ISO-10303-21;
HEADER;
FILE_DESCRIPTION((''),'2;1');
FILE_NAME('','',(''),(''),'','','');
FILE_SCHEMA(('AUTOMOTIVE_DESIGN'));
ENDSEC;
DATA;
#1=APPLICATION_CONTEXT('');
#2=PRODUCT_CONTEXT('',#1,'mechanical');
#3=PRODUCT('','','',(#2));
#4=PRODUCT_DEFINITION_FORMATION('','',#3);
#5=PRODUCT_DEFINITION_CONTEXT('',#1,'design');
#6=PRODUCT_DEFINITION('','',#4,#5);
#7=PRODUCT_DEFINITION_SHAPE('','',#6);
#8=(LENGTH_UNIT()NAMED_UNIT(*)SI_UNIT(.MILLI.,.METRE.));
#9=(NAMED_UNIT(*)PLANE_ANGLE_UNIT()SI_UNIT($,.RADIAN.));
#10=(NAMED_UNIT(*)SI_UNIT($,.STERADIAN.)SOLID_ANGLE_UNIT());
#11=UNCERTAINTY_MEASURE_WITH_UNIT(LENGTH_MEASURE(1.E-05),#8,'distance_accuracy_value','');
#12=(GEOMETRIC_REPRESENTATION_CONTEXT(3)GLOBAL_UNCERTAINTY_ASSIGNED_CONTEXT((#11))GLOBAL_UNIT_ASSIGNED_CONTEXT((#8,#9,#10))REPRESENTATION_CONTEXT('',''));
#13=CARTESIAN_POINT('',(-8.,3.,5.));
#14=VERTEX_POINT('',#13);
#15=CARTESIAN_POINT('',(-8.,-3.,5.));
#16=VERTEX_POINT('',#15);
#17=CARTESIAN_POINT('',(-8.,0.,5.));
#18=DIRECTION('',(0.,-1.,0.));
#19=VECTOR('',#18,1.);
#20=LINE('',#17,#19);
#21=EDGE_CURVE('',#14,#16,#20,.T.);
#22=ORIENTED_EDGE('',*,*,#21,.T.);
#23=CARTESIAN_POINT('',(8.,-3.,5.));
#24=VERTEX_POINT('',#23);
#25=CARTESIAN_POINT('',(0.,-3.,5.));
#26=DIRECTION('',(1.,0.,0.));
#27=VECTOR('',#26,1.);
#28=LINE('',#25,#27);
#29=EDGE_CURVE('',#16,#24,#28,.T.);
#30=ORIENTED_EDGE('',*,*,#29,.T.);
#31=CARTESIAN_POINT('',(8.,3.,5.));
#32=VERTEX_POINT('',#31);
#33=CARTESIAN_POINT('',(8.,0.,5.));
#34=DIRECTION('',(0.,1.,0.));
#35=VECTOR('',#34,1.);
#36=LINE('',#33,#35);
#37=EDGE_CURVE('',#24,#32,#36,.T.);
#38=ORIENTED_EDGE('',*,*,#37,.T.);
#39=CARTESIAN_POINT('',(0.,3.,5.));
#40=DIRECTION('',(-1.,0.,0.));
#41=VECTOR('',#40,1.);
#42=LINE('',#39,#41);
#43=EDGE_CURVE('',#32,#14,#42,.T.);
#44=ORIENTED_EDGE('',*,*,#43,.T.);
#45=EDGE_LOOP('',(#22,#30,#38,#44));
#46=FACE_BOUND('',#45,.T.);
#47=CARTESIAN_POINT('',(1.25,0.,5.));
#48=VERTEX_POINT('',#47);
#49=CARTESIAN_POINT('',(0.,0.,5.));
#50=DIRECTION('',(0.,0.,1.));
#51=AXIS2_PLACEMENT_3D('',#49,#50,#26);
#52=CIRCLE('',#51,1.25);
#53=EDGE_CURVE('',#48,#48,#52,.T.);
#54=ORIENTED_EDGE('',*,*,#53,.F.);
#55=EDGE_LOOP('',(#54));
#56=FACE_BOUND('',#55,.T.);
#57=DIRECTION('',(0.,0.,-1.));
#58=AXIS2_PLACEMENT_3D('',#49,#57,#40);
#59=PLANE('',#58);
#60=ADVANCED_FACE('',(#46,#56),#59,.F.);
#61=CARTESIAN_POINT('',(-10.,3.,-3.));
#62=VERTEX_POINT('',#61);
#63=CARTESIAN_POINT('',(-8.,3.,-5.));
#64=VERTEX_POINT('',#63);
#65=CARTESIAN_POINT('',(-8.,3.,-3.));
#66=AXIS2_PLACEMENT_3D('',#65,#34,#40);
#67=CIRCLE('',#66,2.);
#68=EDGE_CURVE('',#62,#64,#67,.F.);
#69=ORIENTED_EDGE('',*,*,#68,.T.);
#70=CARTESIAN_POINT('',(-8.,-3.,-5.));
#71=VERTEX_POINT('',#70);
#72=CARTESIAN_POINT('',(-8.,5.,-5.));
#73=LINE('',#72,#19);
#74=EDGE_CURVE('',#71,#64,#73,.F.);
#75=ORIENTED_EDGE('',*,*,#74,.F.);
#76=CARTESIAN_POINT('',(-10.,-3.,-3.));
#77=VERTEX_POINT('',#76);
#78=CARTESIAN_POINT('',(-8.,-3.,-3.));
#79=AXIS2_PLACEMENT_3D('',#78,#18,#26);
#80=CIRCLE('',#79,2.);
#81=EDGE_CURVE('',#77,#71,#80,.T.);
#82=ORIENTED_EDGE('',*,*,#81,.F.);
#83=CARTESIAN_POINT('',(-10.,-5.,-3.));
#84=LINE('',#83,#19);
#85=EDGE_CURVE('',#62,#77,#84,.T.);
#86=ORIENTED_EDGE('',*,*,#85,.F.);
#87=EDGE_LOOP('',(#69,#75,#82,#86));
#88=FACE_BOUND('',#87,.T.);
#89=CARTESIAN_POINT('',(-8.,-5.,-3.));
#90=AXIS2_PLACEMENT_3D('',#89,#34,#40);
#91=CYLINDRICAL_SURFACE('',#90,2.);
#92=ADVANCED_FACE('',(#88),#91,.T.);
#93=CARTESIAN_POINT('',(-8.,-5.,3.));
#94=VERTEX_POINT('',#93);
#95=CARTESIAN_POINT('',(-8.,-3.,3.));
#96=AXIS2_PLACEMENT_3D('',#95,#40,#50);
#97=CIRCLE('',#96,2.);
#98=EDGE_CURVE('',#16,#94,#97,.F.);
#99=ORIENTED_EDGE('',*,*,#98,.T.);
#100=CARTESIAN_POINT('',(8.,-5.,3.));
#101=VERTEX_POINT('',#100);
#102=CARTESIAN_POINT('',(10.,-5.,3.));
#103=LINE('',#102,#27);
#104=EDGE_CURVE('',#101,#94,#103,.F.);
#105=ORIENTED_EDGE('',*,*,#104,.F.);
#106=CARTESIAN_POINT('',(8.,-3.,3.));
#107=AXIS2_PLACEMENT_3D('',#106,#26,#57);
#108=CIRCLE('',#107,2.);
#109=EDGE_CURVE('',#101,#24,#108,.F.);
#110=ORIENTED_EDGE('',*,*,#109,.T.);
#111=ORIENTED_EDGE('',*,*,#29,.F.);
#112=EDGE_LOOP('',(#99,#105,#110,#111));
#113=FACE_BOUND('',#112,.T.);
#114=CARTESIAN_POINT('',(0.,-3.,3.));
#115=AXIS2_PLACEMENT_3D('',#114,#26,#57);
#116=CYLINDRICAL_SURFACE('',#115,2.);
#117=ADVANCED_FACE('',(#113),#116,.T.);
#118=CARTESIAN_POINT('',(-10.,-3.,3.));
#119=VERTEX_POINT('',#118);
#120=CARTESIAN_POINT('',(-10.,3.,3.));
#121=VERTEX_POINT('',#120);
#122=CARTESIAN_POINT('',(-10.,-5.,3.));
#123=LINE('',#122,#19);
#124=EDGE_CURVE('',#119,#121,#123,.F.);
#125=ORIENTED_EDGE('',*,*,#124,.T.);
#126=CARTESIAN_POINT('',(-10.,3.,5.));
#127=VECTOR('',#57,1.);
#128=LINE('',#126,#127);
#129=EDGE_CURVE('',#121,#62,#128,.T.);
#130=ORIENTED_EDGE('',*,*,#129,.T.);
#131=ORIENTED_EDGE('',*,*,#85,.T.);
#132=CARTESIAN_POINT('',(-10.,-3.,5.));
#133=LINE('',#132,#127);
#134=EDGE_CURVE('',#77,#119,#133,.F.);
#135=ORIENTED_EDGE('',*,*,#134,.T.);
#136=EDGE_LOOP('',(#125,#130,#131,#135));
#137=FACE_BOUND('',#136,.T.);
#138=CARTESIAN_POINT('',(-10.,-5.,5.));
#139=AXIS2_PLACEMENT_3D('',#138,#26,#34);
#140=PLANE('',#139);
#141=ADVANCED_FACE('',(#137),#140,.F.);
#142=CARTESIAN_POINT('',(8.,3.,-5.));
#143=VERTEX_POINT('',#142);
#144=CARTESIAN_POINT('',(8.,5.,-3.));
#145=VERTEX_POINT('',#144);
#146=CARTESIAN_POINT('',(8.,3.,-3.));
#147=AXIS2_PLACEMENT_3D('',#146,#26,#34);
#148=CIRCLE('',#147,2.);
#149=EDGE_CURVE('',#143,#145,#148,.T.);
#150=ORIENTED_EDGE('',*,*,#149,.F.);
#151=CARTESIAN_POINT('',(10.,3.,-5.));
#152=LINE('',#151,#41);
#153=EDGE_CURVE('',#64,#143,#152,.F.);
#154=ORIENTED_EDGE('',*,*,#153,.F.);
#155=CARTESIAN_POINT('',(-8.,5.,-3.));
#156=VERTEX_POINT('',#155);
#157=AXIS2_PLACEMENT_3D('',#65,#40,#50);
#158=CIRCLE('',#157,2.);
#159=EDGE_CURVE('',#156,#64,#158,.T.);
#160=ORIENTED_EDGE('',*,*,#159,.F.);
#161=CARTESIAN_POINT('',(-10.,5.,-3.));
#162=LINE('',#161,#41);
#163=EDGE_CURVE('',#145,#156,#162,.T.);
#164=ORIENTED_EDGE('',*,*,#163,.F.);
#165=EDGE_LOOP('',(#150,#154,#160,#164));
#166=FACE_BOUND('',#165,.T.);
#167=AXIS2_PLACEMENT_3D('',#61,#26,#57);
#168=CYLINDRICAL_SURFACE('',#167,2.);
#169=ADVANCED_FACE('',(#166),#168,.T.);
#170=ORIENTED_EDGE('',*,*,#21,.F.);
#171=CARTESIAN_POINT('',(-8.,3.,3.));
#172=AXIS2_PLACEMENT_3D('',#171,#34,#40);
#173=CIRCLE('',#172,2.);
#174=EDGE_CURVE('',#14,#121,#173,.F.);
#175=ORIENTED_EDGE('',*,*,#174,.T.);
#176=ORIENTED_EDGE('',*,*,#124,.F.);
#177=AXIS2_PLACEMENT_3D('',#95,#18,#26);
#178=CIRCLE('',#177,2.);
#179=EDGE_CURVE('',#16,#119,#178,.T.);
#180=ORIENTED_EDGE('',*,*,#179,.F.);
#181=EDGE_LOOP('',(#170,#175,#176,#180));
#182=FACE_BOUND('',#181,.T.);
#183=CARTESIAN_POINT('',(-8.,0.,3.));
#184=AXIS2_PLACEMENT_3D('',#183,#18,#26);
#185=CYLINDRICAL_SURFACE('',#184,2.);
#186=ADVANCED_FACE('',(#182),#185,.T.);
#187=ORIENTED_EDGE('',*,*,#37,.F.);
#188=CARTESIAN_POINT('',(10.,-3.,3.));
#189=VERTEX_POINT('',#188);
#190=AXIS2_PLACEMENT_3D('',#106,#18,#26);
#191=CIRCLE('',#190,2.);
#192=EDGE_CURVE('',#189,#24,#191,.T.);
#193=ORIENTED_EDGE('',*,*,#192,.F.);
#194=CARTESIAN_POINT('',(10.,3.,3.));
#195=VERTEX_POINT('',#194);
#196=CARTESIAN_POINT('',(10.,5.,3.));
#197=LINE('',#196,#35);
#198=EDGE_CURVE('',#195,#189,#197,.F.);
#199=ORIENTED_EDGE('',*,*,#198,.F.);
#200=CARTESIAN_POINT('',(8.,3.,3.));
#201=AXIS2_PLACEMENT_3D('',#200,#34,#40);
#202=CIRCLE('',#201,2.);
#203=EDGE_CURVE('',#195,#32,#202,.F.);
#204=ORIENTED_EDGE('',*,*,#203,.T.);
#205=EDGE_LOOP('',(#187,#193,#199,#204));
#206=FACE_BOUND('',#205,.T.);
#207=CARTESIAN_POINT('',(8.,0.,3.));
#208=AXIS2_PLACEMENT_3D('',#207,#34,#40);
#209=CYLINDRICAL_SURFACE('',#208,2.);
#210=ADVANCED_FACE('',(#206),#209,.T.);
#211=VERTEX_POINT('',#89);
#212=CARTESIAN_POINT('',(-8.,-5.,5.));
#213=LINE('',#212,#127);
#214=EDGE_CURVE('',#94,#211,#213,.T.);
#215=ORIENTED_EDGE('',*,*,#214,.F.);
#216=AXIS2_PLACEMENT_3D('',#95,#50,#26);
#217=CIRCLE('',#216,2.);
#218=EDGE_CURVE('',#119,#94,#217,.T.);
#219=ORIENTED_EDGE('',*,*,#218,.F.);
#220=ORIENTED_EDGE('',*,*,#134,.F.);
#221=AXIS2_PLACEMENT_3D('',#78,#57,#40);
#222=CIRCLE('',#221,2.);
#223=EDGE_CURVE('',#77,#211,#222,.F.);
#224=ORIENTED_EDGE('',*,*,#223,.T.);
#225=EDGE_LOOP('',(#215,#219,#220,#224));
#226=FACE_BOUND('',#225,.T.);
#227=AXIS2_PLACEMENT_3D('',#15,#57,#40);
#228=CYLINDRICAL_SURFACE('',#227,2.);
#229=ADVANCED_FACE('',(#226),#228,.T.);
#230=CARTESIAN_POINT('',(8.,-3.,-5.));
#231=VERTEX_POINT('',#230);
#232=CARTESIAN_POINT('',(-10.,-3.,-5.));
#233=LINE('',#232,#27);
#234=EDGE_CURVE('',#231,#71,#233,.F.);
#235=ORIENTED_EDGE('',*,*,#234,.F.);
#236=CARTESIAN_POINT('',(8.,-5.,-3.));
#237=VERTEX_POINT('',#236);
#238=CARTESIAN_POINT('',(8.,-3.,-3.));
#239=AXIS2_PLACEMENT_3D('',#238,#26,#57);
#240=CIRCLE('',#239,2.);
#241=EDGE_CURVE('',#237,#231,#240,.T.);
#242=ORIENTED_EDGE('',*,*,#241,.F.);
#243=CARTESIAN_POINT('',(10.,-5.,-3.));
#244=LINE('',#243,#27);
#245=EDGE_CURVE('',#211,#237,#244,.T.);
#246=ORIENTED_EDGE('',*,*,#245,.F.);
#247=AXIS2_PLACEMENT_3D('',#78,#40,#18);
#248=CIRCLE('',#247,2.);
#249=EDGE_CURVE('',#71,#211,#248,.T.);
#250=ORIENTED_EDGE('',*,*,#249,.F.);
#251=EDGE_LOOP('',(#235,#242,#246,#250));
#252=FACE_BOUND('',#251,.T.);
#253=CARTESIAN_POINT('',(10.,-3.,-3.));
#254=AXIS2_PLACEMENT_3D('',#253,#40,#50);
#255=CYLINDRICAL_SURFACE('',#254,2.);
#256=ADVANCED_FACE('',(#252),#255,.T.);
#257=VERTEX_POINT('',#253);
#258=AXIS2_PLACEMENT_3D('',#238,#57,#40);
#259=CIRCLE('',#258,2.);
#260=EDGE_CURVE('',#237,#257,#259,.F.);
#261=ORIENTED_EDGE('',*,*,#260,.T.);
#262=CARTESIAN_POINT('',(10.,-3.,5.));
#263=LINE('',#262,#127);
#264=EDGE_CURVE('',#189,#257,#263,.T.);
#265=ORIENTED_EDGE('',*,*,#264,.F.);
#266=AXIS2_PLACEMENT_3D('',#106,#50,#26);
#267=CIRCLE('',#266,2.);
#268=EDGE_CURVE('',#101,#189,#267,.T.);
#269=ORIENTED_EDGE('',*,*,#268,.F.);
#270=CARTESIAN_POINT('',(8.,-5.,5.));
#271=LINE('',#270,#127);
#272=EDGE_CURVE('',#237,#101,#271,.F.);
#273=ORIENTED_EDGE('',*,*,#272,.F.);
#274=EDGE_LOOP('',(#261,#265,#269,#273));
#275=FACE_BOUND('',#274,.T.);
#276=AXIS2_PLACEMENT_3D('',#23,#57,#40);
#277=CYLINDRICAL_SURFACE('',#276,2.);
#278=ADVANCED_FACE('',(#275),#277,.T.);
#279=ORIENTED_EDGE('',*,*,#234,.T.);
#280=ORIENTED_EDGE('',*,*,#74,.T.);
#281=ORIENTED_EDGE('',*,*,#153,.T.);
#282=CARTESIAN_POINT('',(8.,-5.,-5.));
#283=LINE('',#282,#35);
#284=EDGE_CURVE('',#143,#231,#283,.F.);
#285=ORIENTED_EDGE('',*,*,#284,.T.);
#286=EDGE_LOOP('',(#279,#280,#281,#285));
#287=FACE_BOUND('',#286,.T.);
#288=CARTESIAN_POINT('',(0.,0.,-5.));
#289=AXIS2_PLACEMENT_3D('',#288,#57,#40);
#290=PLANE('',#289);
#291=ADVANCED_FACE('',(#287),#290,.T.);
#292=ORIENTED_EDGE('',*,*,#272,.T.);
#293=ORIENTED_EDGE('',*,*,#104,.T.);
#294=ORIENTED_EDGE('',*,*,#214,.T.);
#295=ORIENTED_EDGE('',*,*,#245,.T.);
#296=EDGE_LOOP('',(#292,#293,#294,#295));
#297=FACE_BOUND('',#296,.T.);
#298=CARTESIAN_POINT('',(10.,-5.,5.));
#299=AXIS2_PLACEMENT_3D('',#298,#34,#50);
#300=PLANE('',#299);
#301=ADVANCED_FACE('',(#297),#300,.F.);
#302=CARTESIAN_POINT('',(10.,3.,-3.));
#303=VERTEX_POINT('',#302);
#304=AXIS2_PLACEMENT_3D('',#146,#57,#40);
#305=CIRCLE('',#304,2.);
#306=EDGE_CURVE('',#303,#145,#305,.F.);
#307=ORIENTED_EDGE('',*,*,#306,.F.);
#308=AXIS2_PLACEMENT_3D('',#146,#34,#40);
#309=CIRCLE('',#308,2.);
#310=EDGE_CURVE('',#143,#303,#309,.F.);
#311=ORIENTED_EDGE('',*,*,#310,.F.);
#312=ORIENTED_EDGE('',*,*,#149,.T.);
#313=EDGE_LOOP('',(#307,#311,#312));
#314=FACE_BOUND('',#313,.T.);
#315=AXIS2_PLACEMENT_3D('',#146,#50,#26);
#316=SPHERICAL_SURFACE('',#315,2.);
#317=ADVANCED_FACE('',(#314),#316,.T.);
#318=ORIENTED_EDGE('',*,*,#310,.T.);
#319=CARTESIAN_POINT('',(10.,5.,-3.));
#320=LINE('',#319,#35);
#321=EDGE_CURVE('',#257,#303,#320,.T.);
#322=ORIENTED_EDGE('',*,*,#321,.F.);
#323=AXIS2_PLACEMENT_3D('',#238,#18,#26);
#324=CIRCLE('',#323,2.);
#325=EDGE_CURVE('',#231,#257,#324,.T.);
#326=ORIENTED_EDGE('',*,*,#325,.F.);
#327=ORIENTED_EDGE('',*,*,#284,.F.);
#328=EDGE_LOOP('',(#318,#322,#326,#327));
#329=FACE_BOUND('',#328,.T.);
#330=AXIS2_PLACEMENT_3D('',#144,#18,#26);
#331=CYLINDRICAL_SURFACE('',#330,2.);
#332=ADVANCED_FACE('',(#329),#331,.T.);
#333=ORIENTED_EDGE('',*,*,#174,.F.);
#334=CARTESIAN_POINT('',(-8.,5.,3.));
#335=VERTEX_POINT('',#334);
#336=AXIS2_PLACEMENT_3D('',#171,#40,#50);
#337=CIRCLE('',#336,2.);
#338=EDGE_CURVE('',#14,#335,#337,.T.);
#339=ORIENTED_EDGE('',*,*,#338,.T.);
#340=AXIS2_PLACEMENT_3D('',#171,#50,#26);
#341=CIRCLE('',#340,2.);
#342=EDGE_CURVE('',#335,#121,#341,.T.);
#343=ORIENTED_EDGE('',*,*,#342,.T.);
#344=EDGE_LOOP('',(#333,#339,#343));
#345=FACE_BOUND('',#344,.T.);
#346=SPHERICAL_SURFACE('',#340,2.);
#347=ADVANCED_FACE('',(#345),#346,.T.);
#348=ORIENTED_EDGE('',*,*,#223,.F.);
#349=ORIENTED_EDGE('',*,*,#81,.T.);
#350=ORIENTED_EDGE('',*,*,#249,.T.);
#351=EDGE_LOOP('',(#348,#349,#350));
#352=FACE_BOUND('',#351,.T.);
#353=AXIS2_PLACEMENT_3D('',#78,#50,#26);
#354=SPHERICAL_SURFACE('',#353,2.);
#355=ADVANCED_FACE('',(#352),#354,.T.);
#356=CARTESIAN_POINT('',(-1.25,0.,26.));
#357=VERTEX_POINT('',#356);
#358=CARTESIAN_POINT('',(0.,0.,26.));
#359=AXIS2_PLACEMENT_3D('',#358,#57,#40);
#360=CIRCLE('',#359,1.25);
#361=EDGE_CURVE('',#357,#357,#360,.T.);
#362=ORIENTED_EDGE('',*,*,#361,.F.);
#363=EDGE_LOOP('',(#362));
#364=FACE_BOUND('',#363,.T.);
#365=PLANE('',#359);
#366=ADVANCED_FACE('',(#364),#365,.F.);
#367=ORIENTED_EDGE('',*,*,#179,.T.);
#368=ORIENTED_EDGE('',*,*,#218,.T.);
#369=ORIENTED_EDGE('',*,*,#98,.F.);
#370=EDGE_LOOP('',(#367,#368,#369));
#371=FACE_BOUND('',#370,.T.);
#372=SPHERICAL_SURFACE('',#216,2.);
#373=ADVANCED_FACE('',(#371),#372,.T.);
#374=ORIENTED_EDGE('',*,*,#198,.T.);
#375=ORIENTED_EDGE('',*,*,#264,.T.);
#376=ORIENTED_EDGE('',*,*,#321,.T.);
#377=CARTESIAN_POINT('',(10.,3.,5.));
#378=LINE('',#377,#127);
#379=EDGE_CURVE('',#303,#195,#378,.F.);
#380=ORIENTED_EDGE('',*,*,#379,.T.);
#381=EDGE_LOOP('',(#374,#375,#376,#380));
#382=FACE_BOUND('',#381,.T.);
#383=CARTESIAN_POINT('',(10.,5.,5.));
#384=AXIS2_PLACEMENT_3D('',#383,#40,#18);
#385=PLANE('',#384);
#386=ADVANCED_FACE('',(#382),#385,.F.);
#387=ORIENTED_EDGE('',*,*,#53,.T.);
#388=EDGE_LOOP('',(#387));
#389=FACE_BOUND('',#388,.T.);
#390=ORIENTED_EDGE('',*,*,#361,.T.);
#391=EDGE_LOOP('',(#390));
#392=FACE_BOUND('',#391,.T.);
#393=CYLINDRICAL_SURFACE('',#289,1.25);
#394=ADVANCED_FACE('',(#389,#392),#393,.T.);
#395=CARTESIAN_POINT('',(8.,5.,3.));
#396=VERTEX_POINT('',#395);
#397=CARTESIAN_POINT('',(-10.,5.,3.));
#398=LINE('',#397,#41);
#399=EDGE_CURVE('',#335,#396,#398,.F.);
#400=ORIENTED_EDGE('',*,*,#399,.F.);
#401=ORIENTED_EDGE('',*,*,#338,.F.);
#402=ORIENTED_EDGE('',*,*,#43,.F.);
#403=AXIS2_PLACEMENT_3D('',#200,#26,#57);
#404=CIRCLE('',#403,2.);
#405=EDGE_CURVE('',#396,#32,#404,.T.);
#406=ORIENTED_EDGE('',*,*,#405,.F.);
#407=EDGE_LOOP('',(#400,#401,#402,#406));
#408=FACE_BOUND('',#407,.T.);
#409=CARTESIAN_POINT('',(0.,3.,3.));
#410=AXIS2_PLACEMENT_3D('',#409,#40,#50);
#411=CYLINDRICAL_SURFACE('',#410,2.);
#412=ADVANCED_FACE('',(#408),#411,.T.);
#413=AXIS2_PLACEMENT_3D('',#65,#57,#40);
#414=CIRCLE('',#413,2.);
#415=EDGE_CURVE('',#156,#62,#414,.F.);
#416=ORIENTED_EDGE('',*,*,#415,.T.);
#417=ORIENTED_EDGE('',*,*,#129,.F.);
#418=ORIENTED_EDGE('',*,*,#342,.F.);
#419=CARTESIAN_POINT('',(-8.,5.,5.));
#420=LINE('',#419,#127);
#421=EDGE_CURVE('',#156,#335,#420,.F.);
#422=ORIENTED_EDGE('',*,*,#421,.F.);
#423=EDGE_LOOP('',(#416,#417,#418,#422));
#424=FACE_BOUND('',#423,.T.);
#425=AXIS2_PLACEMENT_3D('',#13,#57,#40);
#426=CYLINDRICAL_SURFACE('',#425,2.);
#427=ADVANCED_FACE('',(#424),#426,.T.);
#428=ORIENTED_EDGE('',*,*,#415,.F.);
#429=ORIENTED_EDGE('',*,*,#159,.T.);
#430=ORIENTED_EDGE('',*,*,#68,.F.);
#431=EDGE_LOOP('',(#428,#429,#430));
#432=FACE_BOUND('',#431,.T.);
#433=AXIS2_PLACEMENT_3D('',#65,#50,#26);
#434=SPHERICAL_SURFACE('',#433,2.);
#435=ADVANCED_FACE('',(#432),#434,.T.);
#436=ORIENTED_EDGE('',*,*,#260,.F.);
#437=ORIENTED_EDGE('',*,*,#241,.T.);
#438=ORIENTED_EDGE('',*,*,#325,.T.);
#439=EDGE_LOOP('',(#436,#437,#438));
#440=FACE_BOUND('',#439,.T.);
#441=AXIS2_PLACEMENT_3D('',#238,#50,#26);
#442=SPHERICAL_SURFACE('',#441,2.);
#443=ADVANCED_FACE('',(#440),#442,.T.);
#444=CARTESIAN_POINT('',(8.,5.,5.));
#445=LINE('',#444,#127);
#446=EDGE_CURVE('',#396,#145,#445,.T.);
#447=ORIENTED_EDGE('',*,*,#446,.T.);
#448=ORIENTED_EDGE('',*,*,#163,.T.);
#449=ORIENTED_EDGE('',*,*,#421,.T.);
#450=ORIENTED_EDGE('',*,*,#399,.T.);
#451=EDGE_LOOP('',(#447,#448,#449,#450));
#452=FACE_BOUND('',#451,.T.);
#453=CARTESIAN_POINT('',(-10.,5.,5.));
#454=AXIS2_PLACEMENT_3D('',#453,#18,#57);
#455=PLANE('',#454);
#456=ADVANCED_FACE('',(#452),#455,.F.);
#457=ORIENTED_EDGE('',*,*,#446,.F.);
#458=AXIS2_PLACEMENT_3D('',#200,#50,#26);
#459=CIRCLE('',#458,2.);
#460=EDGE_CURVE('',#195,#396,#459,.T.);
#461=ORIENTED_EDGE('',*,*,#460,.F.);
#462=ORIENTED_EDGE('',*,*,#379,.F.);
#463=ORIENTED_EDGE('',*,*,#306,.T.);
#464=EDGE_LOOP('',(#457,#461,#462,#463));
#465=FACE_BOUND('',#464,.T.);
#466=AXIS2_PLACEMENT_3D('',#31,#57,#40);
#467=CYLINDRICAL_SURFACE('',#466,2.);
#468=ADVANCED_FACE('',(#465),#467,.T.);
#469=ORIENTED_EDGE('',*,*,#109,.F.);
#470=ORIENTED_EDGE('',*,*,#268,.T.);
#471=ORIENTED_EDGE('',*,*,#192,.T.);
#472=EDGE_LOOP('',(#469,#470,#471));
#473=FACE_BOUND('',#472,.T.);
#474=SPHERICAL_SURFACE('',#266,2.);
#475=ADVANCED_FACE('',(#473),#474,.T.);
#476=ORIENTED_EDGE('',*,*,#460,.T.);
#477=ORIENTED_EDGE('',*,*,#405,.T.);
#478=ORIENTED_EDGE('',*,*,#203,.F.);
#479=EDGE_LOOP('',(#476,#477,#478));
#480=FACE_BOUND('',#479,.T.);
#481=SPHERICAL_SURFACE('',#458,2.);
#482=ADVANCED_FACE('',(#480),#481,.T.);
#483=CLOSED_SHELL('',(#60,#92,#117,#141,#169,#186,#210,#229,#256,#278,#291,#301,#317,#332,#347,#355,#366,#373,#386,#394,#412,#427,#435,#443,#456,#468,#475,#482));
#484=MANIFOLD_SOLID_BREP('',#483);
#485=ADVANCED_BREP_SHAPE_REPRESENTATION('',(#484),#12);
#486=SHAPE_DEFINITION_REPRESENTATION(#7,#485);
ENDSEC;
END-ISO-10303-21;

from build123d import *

# Parameters (mm, degrees)
SKETCH5_W               = 20
SKETCH5_H               = 10
BOSS_EXTRUDE2_DEPTH     = 5
CUT_EXTRUDE2_DEPTH      = 13.247448714
CUT_EXTRUDE2_DEPTH_BACK = 13.247448714
SKETCH6_R               = 1.25
FILLET3_R               = 2
SKETCH7_W               = 1.25
SKETCH7_H               = 31


with BuildPart() as part:
    # Sketch5 → Boss-Extrude2 (new, symmetric)
    with BuildSketch(Plane.XY):
        Rectangle(SKETCH5_W, SKETCH5_H)
    extrude(amount=BOSS_EXTRUDE2_DEPTH, both=True)

    # Sketch6 → Cut-Extrude2 (cut, two sides: drawn at the far end of the back side and taken through both)
    with BuildSketch(Plane.XY.offset(-CUT_EXTRUDE2_DEPTH_BACK)):
        Circle(SKETCH6_R)
    extrude(amount=CUT_EXTRUDE2_DEPTH + CUT_EXTRUDE2_DEPTH_BACK, mode=Mode.SUBTRACT)

    # Fillet3
    fillet3_edges = [part.edges().sort_by_distance(p)[0] for p in [
        (10, 0, 5),
        (0, 5, 5),
        (-10, 0, 5),
        (0, 5, -5),
        (10, 0, -5),
        (0, -5, -5),
        (-10, 0, -5),
        (-10, 5, 0),
        (10, 5, 0),
        (10, -5, 0),
        (-10, -5, 0),
        (0, -5, 5),
    ]]
    fillet(fillet3_edges, radius=FILLET3_R)

    # Sketch7 → Revolve1 (revolve)
    with BuildSketch(Plane(origin=(0, 0, 0), x_dir=(1, 0, 0), z_dir=(0, 1, 0)), mode=Mode.PRIVATE) as revolve1_sk:
        with Locations((0.625, -10.5)):
            Rectangle(SKETCH7_W, SKETCH7_H)
    revolve(revolve1_sk.sketch.rotate(Axis((0, 0, -5), (0, 0, 1)), 180), axis=Axis((0, 0, -5), (0, 0, 1)))


solid = part.part
